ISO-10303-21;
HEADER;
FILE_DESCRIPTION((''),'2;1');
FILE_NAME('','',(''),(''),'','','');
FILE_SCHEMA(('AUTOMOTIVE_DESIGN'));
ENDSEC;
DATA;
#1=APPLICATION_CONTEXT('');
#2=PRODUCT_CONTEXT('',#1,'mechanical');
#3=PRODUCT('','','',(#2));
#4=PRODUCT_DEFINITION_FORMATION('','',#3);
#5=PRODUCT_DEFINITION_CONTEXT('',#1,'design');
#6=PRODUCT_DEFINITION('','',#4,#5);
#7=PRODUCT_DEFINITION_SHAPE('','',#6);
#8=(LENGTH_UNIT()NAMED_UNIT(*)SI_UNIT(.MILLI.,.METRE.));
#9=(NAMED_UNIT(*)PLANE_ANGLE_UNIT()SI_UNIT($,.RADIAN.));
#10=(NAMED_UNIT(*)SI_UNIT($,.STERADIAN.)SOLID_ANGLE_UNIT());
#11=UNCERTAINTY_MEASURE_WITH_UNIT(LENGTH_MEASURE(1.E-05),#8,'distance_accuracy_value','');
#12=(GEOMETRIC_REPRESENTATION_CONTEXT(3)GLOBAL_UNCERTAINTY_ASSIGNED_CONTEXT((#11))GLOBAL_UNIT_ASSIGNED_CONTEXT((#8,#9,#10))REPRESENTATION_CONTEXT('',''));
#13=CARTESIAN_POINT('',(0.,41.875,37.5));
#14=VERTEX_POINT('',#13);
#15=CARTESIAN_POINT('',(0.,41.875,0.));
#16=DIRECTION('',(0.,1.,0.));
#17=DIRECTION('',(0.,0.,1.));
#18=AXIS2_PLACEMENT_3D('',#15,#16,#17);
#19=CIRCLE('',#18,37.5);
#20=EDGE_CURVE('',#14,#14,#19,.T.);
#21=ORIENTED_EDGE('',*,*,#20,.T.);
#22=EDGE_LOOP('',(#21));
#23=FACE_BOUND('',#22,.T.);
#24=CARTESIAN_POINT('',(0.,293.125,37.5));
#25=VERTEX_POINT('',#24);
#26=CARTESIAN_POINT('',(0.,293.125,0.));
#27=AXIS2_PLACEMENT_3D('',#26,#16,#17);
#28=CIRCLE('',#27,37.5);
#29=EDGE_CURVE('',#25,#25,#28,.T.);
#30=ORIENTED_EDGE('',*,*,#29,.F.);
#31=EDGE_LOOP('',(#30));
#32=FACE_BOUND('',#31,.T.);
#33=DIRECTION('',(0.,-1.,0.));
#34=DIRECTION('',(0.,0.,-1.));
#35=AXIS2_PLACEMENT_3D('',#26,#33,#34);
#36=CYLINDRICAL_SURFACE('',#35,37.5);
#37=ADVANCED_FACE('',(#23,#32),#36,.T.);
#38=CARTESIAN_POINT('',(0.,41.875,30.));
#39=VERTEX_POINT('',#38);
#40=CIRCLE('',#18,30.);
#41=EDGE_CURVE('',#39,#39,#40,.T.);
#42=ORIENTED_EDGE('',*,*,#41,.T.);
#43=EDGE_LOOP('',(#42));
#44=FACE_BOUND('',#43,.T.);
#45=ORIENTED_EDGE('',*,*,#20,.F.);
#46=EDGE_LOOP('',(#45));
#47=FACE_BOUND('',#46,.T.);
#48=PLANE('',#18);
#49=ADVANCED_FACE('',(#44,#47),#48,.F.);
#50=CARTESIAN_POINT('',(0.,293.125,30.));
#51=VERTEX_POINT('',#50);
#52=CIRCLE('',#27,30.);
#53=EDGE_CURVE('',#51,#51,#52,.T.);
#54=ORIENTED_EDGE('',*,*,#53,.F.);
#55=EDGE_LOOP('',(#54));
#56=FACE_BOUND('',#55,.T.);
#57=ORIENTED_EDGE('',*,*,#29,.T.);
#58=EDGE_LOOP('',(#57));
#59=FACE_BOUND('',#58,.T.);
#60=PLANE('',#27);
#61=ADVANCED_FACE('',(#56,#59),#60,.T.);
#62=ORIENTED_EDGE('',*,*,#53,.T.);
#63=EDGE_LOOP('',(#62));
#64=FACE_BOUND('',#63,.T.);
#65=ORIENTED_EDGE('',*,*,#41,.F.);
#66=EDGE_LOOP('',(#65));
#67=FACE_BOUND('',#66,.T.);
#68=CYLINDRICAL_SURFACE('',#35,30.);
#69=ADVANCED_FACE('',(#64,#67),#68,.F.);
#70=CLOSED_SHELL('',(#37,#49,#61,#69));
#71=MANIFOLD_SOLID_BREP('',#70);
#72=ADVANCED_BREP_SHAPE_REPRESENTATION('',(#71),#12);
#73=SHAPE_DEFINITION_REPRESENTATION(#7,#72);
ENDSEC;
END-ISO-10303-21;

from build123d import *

# Parameters (mm, degrees)
SKETCH1_R           = 50
SKETCH1_R_2         = 40
BOSS_EXTRUDE1_DEPTH = 335
SCALE1_SCALE        = 0.75


with BuildPart() as part:
    # Sketch1 → Boss-Extrude1 (new body)
    with BuildSketch(Plane(origin=(0, 0, 0), x_dir=(1, 0, 0), z_dir=(0, 1, 0))):
        with Locations(Location((0, 0, 0), (0, 0, 270))):
            Circle(SKETCH1_R)
        with Locations(Location((0, 0, 0), (0, 0, 270))):
            Circle(SKETCH1_R_2, mode=Mode.SUBTRACT)
    extrude(amount=BOSS_EXTRUDE1_DEPTH)


with BuildPart() as part_1:
    # Scale1: scaled about (0, 167.5, 0)
    add(part.part.scale(SCALE1_SCALE).moved(Location((0, 41.875, 0))))


solid = part_1.part
